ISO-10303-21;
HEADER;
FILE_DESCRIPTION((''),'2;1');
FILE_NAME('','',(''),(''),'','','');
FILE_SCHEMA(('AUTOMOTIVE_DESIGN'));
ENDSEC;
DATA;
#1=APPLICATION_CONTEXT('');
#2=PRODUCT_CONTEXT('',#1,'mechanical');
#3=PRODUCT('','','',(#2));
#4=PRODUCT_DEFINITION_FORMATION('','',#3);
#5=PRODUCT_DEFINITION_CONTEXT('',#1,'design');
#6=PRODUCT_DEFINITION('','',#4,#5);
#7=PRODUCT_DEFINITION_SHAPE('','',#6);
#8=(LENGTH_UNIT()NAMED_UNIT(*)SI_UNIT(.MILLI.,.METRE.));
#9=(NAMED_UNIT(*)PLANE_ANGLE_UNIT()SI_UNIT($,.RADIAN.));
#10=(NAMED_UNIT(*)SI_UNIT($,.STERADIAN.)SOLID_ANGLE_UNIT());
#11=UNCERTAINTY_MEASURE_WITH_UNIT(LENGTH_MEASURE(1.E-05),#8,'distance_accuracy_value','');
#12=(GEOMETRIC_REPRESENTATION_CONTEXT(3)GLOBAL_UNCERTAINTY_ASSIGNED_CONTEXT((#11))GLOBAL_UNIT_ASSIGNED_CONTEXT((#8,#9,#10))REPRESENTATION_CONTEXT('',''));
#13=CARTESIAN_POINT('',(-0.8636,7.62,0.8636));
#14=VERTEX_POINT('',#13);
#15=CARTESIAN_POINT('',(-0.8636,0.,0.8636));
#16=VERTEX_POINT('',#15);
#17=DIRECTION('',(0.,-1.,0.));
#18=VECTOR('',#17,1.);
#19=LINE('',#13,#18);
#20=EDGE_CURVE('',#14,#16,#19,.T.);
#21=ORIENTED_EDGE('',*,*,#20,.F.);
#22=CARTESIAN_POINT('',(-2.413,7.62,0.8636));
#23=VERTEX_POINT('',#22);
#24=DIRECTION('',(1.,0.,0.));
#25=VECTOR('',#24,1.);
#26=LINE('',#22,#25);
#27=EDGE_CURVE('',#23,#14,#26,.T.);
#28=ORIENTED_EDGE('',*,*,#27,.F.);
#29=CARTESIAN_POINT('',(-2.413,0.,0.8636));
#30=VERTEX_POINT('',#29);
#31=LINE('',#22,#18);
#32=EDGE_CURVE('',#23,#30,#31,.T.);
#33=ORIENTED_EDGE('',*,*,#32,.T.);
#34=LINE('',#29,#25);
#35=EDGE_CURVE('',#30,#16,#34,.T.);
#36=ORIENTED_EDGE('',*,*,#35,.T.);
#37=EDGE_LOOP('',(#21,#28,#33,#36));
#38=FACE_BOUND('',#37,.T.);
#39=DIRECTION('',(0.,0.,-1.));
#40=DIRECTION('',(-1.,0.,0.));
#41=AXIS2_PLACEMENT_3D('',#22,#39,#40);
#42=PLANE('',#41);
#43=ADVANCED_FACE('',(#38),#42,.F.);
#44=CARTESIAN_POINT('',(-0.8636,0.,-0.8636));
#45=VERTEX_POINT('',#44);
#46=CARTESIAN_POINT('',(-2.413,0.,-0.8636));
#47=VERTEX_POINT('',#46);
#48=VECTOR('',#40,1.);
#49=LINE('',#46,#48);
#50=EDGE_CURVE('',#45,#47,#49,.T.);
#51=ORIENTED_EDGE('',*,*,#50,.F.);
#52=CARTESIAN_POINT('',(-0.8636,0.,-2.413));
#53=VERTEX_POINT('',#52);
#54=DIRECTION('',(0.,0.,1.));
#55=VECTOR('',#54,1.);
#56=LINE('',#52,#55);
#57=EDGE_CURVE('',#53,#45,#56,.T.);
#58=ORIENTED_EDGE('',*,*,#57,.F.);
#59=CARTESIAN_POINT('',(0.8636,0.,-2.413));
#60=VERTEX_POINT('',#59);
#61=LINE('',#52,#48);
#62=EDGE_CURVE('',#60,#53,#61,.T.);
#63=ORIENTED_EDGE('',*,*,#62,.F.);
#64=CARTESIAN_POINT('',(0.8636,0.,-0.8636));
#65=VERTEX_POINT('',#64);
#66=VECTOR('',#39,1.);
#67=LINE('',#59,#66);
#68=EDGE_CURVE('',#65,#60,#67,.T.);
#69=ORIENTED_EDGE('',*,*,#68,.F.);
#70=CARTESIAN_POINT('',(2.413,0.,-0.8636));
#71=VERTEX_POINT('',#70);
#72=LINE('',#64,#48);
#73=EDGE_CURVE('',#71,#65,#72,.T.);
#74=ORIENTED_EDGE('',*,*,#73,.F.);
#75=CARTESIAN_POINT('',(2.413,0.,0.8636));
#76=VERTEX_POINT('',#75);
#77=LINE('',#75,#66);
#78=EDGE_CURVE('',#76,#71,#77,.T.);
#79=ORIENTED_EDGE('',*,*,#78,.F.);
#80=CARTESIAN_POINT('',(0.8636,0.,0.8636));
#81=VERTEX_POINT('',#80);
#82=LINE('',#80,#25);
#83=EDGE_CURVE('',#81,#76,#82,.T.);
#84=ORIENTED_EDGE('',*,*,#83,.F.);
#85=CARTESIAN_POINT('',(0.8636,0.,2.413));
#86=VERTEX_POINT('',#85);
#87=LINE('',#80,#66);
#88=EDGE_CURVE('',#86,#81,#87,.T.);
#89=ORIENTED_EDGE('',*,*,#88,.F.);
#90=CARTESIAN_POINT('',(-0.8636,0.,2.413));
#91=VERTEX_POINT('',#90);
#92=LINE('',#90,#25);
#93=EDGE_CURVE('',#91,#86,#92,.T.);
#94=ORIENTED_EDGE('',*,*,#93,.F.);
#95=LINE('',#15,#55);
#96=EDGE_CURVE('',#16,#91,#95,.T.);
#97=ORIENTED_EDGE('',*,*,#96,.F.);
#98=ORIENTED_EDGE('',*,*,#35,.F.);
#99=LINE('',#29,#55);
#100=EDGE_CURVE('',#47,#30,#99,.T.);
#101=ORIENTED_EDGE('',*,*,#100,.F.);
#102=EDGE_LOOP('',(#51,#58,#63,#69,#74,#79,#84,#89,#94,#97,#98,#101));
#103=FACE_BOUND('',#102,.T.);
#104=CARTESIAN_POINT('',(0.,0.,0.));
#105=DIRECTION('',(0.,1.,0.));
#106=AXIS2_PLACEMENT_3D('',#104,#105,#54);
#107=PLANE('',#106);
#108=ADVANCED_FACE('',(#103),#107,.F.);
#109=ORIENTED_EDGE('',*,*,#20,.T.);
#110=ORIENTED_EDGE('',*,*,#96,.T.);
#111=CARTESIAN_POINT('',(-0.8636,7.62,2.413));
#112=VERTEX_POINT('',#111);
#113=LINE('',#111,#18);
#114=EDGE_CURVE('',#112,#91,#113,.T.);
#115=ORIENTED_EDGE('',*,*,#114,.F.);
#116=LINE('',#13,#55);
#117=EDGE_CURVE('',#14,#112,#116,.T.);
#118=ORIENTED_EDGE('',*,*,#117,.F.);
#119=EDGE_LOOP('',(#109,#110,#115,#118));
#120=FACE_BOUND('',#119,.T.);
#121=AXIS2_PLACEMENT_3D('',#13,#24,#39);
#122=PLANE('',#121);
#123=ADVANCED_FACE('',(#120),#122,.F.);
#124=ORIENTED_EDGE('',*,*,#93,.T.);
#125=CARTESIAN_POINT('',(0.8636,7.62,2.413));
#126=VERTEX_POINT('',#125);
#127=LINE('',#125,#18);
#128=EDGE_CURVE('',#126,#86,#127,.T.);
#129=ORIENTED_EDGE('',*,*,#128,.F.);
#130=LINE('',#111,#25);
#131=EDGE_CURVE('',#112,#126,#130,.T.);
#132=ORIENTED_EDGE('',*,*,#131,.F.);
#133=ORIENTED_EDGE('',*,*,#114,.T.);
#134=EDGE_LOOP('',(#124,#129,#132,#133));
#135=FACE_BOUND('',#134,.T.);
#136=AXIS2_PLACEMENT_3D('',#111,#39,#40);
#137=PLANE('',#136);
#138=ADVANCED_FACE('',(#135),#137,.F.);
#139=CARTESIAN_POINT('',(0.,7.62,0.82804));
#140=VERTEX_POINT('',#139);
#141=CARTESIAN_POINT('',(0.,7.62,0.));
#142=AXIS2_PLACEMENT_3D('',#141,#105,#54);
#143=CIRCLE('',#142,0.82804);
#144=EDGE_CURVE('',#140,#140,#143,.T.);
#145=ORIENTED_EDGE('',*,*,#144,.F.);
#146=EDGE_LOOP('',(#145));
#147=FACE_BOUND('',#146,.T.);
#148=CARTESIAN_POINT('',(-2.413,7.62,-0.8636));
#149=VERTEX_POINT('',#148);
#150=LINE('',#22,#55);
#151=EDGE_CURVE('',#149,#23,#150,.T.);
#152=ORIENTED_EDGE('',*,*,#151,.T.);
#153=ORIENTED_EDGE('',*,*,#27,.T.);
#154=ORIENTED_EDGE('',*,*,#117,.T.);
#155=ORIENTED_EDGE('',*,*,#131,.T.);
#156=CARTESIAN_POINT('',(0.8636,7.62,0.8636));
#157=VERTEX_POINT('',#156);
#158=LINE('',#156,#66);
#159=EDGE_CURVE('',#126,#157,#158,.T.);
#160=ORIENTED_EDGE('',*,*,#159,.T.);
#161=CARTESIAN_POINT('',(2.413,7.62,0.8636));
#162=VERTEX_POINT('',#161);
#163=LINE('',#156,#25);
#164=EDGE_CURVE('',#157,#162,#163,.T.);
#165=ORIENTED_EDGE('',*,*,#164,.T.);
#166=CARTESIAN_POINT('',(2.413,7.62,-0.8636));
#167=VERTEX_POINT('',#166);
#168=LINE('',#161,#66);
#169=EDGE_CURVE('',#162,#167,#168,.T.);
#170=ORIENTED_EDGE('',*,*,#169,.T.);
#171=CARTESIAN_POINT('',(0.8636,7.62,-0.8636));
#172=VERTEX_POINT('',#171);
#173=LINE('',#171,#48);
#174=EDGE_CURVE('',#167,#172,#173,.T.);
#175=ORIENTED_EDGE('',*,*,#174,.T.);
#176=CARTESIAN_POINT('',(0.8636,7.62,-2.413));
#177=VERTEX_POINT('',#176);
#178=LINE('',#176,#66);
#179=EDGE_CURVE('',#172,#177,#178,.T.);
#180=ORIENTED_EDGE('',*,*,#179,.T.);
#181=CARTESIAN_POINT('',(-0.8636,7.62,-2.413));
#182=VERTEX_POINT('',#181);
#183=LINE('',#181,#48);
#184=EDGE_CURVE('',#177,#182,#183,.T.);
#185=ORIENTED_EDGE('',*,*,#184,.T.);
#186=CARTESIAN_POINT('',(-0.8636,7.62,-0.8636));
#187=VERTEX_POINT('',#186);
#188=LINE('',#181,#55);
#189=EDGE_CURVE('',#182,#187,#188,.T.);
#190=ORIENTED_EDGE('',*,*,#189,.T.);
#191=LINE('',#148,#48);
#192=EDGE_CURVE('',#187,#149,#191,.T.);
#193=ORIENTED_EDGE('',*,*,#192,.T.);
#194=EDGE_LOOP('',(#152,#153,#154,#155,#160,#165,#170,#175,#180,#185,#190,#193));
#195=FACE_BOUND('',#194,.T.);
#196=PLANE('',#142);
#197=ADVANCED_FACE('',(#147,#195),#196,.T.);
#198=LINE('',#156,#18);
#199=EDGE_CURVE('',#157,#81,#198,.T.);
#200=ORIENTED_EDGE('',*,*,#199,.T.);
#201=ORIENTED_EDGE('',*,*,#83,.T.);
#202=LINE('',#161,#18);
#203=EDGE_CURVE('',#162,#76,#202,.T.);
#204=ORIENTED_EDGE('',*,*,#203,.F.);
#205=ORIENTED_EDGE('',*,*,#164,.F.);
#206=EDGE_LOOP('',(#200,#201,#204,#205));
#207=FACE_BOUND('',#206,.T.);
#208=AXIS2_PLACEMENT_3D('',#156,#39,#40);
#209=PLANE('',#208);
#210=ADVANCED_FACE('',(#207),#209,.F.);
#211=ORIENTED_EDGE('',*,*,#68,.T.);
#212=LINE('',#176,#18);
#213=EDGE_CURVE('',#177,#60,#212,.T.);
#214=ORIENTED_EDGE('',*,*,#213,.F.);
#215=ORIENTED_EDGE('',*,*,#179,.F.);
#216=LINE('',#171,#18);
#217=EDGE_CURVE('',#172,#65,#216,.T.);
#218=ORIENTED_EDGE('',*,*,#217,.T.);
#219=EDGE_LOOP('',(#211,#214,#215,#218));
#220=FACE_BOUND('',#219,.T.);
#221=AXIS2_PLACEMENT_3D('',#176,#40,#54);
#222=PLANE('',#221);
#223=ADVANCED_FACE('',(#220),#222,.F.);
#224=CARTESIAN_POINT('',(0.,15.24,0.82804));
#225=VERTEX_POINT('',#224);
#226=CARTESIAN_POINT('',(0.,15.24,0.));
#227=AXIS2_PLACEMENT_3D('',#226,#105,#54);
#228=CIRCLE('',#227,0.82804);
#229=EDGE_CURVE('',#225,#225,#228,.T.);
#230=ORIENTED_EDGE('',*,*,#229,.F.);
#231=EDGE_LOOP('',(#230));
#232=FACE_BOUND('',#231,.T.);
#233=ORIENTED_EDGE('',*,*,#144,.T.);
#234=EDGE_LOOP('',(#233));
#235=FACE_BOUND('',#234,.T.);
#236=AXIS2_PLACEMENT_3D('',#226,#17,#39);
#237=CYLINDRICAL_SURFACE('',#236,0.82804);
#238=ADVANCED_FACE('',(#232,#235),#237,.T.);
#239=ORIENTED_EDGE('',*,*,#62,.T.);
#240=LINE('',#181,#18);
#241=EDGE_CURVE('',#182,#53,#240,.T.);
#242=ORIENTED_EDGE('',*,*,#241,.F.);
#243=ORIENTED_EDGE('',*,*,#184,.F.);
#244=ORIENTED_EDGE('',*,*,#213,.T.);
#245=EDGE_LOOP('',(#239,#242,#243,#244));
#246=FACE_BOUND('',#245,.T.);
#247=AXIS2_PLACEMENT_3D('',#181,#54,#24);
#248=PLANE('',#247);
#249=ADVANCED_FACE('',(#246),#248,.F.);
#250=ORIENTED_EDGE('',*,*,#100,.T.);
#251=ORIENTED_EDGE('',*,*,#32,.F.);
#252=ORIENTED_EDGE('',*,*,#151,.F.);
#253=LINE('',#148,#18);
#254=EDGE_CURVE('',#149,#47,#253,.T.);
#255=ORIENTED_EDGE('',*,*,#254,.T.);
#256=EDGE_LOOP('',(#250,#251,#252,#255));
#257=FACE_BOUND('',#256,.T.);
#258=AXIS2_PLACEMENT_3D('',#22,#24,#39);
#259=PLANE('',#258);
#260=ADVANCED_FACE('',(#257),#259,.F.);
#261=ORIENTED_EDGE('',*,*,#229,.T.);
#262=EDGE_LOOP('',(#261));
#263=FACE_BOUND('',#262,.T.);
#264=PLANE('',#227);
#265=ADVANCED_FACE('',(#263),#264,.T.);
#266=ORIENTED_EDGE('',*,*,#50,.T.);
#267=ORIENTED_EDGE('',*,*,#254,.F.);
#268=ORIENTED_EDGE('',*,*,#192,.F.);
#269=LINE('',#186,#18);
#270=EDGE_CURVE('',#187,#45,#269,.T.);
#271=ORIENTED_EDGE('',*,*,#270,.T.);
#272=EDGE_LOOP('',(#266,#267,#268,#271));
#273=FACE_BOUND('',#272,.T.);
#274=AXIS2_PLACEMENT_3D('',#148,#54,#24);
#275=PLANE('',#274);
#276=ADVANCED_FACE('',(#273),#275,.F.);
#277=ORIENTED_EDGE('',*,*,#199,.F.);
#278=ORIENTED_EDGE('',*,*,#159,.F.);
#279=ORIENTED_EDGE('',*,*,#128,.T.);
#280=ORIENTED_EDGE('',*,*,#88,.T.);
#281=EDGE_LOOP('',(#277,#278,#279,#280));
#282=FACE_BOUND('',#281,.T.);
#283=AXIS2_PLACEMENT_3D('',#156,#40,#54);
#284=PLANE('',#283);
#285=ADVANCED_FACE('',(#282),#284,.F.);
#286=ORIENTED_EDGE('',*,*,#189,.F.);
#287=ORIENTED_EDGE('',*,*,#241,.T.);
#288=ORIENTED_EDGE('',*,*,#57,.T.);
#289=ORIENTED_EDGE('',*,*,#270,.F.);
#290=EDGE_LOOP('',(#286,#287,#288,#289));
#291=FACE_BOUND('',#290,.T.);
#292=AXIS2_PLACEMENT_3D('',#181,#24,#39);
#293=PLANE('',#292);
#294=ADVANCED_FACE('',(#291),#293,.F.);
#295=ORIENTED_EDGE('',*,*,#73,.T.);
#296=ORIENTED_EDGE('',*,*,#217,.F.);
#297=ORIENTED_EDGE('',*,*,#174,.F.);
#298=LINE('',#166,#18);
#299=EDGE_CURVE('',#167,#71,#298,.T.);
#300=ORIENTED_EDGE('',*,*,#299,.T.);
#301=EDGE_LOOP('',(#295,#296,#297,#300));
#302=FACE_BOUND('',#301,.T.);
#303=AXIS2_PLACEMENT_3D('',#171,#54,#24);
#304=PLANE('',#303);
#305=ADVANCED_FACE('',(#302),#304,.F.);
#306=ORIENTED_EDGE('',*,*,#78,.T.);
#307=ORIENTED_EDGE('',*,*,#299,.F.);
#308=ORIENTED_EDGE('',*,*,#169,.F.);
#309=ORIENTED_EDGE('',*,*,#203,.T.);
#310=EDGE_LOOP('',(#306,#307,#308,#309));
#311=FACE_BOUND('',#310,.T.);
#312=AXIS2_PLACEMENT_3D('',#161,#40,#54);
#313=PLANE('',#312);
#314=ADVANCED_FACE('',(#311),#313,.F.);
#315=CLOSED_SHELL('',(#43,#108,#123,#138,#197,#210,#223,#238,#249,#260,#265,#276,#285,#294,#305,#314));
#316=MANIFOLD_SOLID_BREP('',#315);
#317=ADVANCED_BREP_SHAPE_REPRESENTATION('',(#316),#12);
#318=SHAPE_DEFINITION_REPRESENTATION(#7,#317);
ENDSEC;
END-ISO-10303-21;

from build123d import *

# Parameters (mm, degrees)
BOSS_EXTRUDE1_DEPTH = 7.62
SKETCH2_R           = 0.82804
BOSS_EXTRUDE2_DEPTH = 7.62


with BuildPart() as part:
    # Sketch1 → Boss-Extrude1 (new body)
    with BuildSketch(Plane(origin=(0, 0, 0), x_dir=(1, 0, 0), z_dir=(0, 1, 0))):
        Polygon((0.8636, 0.8636), (2.413, 0.8636), (2.413, -0.8636), (0.8636, -0.8636), (0.8636, -2.413), (-0.8636, -2.413), (-0.8636, -0.8636), (-2.413, -0.8636), (-2.413, 0.8636), (-0.8636, 0.8636), (-0.8636, 2.413), (0.8636, 2.413), align=None)
    extrude(amount=BOSS_EXTRUDE1_DEPTH)

    # Sketch2 → Boss-Extrude2 (add)
    with BuildSketch(Plane(origin=(0, 7.62, 0), x_dir=(1, 0, 0), z_dir=(0, 1, 0))):
        with Locations(Location((0, 0, 0), (0, 0, 270))):
            Circle(SKETCH2_R)
    extrude(amount=BOSS_EXTRUDE2_DEPTH)


solid = part.part
